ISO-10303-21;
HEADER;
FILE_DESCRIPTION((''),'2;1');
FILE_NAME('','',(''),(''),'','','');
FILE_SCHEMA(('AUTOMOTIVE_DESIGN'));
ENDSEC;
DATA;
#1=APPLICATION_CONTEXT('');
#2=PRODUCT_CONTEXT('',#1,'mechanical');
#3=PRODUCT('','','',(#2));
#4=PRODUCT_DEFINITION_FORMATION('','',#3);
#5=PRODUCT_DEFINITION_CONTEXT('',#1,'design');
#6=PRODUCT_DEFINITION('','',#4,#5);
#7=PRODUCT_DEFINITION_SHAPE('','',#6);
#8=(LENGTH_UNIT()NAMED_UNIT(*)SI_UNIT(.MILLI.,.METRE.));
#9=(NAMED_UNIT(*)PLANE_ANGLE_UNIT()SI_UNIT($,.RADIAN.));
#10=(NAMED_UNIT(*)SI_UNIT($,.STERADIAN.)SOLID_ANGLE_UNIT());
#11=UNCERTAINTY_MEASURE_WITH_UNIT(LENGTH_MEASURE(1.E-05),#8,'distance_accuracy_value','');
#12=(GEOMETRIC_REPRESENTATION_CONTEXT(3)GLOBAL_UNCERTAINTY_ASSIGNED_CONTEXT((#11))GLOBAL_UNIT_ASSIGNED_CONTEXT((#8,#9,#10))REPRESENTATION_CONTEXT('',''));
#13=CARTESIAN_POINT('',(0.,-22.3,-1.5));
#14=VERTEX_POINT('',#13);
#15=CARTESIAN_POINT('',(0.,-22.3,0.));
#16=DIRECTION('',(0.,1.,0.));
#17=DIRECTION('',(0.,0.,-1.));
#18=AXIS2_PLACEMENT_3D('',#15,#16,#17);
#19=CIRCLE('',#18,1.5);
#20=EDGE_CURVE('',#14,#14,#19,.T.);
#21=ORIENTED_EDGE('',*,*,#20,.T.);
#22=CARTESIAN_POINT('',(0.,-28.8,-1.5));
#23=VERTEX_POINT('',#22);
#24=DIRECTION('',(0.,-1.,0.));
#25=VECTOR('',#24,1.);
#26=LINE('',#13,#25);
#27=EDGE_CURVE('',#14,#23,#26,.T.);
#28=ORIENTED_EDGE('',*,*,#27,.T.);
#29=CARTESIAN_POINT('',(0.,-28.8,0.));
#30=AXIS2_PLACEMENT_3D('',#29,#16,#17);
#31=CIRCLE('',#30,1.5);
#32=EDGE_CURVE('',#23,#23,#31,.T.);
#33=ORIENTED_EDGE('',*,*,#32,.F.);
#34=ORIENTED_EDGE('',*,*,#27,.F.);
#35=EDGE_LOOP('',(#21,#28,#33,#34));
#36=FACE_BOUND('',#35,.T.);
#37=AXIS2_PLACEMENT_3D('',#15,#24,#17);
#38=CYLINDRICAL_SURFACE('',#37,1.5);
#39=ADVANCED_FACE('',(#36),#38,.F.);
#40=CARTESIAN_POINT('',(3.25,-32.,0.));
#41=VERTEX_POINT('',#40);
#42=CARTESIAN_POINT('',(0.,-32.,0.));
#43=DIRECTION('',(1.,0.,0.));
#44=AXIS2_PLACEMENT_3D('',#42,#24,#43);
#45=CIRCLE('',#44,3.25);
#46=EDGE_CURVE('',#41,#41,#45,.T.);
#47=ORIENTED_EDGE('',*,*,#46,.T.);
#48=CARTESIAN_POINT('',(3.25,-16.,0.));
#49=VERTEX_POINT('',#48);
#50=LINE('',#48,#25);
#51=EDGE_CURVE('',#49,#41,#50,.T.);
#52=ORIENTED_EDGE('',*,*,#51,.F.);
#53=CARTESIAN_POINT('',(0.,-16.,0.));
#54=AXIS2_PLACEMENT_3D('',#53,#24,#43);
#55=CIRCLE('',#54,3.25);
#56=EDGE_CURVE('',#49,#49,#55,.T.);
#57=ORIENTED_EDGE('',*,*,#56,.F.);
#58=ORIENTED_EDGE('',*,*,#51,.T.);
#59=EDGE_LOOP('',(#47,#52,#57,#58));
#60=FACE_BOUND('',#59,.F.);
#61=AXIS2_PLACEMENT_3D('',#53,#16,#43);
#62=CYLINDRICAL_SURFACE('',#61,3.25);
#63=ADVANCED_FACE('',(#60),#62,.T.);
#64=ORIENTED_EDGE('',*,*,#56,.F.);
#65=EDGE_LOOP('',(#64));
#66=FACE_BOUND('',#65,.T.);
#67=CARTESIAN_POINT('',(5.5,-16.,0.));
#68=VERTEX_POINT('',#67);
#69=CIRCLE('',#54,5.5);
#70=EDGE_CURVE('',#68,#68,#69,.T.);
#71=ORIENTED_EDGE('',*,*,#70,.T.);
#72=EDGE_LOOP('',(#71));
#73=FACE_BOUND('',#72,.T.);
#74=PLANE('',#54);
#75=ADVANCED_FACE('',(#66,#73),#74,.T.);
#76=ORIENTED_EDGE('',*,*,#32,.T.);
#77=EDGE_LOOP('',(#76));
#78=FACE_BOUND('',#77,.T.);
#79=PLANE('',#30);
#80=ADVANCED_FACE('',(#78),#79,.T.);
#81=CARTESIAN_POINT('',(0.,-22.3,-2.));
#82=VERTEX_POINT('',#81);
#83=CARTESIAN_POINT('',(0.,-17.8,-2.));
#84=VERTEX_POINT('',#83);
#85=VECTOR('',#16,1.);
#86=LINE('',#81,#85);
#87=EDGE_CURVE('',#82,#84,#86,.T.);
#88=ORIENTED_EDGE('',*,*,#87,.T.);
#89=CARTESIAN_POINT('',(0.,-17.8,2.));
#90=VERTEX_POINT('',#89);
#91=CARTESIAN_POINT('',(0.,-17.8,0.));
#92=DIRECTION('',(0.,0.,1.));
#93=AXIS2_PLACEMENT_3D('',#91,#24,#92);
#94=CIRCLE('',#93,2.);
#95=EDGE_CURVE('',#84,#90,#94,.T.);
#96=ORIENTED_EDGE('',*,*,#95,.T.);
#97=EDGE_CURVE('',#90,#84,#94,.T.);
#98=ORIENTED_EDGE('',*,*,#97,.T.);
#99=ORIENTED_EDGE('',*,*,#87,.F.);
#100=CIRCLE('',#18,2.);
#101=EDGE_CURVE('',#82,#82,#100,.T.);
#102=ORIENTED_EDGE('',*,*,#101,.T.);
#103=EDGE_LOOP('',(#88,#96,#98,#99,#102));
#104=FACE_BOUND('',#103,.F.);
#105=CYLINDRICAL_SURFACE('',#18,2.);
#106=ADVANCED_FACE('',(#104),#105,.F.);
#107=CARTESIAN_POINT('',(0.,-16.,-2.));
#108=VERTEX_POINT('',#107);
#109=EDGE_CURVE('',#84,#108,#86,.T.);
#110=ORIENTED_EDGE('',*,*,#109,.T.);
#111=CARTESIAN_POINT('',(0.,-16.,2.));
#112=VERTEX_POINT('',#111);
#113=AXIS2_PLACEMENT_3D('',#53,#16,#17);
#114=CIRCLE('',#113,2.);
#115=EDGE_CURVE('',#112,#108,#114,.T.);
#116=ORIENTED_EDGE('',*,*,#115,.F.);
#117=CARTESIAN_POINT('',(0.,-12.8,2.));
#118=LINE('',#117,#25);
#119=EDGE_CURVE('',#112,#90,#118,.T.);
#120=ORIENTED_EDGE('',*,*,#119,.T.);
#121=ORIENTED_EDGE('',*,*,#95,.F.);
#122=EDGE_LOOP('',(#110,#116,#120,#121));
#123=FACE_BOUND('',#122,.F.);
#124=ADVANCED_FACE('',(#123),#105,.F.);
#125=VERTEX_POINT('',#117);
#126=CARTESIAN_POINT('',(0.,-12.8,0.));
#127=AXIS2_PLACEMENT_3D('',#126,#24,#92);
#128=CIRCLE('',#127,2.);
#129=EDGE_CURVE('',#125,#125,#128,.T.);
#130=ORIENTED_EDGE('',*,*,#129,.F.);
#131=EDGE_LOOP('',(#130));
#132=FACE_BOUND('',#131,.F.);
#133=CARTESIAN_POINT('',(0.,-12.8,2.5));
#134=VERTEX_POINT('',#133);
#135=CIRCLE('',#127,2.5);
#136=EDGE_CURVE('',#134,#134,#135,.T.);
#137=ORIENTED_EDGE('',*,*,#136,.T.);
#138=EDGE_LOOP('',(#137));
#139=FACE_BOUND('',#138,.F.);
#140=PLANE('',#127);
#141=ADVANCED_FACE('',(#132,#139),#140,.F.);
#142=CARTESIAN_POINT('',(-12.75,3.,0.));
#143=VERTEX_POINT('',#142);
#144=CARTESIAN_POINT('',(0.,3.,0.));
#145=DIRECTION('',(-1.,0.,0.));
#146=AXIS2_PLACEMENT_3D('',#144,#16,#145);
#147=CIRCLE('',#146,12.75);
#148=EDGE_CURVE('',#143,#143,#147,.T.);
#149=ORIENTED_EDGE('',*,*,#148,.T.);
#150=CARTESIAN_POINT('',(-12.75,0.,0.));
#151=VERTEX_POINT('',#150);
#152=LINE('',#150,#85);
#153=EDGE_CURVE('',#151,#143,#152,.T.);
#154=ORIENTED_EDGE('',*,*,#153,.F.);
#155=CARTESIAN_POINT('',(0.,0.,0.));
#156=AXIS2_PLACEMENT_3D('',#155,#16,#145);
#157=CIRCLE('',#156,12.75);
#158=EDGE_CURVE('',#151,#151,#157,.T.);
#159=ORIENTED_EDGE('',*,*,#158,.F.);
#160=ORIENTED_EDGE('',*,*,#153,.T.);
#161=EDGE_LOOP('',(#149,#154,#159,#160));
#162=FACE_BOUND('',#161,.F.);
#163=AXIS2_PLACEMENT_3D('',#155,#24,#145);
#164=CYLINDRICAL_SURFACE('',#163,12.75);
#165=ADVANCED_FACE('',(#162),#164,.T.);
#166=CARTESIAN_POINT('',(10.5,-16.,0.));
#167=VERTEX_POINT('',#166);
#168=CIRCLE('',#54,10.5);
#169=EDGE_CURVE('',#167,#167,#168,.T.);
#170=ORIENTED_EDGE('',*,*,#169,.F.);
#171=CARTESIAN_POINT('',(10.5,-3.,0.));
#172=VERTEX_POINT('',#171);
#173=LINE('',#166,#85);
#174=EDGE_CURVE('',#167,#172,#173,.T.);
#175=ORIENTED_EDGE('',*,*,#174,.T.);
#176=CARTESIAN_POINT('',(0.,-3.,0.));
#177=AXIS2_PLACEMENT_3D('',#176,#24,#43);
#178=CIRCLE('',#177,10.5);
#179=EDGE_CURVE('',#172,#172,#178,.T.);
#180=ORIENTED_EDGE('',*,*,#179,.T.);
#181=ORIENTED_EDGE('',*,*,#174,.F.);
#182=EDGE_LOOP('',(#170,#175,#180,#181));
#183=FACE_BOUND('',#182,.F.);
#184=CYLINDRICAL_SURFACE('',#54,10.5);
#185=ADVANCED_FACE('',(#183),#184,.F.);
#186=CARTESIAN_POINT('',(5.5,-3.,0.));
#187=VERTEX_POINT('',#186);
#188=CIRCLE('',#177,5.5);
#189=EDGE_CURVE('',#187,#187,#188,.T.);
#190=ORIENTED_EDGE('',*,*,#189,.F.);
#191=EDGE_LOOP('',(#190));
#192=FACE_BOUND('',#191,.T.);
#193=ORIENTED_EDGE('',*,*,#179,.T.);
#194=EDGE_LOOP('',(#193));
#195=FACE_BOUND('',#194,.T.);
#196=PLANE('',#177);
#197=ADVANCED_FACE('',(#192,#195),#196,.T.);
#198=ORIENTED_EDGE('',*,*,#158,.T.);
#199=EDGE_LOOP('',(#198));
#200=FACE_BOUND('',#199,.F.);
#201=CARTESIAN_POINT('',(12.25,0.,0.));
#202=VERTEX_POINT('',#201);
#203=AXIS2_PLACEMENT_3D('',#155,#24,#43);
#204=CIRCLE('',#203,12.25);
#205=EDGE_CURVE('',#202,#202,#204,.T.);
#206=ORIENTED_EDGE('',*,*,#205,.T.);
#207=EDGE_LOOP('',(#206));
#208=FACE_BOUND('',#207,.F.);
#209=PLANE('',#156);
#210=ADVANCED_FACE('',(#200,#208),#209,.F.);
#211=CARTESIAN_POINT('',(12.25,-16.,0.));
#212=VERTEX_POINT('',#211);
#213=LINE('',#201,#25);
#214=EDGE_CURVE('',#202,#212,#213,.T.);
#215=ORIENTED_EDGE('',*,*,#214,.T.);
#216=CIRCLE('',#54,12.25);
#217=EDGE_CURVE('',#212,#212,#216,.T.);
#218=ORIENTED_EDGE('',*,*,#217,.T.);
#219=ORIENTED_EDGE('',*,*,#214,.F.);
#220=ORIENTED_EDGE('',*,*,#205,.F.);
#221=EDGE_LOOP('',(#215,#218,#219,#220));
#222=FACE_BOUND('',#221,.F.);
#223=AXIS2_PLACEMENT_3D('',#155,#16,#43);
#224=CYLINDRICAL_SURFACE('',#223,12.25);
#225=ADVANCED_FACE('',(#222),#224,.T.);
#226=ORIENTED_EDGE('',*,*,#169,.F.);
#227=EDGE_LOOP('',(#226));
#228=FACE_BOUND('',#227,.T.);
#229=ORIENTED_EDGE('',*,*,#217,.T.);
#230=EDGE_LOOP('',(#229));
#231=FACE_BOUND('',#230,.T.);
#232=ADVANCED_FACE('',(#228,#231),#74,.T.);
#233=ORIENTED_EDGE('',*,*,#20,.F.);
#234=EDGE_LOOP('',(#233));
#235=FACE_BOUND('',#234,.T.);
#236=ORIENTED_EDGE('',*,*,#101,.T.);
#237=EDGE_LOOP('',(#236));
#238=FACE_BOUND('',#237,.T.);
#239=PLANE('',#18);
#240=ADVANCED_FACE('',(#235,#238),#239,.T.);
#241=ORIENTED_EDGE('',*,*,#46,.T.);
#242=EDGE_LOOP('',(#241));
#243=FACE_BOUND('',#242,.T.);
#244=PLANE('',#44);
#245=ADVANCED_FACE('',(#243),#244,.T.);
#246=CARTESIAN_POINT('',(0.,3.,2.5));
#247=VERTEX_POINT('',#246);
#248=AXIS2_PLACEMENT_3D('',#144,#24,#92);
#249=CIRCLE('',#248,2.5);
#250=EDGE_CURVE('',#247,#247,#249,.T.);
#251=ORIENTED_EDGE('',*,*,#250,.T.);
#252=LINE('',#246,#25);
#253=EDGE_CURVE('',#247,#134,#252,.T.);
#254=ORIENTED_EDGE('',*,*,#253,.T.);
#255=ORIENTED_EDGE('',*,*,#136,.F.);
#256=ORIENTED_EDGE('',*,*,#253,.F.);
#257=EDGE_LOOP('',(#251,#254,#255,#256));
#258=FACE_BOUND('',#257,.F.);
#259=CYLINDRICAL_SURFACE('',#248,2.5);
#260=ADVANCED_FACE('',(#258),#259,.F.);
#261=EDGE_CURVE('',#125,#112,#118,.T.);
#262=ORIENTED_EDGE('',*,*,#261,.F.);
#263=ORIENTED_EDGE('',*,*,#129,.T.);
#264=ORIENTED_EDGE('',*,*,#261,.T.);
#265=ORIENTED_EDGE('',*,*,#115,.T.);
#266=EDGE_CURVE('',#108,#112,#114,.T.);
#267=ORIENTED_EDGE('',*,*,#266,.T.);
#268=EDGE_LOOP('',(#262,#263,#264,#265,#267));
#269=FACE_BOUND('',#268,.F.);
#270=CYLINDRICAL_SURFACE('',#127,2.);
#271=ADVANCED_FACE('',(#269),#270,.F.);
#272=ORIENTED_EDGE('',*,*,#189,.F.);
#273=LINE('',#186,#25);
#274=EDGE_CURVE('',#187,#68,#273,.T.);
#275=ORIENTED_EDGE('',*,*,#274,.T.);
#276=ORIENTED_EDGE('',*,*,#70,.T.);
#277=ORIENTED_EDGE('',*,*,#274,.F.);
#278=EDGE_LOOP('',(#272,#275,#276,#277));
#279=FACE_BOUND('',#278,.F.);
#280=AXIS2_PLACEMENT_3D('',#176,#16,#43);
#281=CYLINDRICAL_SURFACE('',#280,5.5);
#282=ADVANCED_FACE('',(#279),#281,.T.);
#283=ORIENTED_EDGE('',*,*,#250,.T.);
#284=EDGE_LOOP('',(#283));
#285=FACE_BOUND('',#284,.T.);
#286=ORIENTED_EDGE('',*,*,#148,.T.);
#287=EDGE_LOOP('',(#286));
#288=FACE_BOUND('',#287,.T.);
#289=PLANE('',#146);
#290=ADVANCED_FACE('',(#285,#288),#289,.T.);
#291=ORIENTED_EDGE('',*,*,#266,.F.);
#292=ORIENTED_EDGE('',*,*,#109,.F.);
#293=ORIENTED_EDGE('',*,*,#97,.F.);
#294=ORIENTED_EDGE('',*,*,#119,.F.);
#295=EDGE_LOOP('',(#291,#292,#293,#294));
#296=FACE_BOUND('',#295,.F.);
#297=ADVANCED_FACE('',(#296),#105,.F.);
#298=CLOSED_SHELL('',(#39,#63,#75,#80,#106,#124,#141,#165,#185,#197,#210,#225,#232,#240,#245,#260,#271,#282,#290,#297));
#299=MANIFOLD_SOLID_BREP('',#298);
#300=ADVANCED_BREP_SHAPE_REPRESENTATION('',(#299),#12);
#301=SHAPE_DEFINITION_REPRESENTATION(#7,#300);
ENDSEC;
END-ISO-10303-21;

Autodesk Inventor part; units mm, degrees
ref_plane "XZ Plane" through (0, 0, 0) normal (0, 1, 0) x (-1, 0, 0)
ref_plane "XY Plane" through (0, 0, 0) normal (0, 0, 1) x (1, 0, 0)
sketch "Skizze1" plane through (0, 0, 0) normal (0, 1, 0) x (-1, 0, 0)
  circle A0 centre (0, 0) radius 12.75
  dimension "d0" = 25.5
extrude "Extrusion1" add sketch "Skizze1" along normal blind 3
sketch "Skizze2" plane through (0, 0, 0) normal (0, -1, 0) x (1, 0, 0)
  circle A0 centre (0, 0) radius 12.25
  dimension "d3" = 24.5
extrude "Extrusion2" add sketch "Skizze2" along normal blind 16
sketch "Skizze6" plane through (0, -16, 0) normal (0, -1, 0) x (1, 0, 0)
  circle A0 centre (0, 0) radius 10.5
  dimension "d20" = 21
extrude "Extrusion5" cut sketch "Skizze6" against normal blind 13
sketch "Skizze7" plane through (0, -3, 0) normal (0, -1, 0) x (1, 0, 0)
  circle A0 centre (0, 0) radius 5.5
  dimension "d23" = 11
extrude "Extrusion6" add sketch "Skizze7" along normal up to surface (13 mm away)
sketch "Skizze8" plane through (0, -16, 0) normal (0, -1, 0) x (1, 0, 0)
  circle A0 centre (0, 0) radius 3.25
  dimension "d26" = 6.5
extrude "Extrusion7" add sketch "Skizze8" along normal blind 16
sketch "Skizze9" plane through (0, 3, 0) normal (0, 1, 0) x (1, 0, 0)
  circle A0 centre (0, 0) radius 12.75 projected
hole "Bohrung2" at (0, 3, 0) direction (0, -1, 0) diameter 5 depth 15.8
ref_plane "Arbeitsebene3" through (0, 0, 0) normal (1, 0, 0) x (0, 1, 0)
sketch "Skizze11" plane through (0, 0, 0) normal (1, 0, 0) x (0, 1, 0)
  line L0 (-16, -3.25) -> (-32, -3.25) projected
  line L1 (-3, -5.5) -> (-16, -5.5) projected
  line L2 (-16, -5.5) -> (-16, 5.5) projected
  line L3 (-3, -10.5) -> (-3, 10.5) projected
  line L4 (-30.7422, 0) -> (0, 0)
  line L5 (-22.3, -2) -> (-12.8, -2)
  line L6 (-12.8, -2.5) -> (-12.8, 2.5) projected
  line L7 (-22.3, -2) -> (-22.3, -1.5)
  line L8 (-22.3, -1.5) -> (-28.8, -1.5)
  line L9 (-28.8, -1.5) -> (-28.8, 0)
  line L10 (-12.8, -2) -> (-12.8, 0)
  point P0 (-22.3, -1.75)
  point P1 (-16, -2)
  point P2 (-16, 0)
  dimension "d38" = 3
  dimension "d39" = 4
  dimension "d40" = 9.5
  dimension "d41" = 6.5
revolve "Umdrehung1" cut sketch "Skizze11" angle 360 about axis through (0, -30.7422, 0) along (0, 1, 0) contours L5 L7 L8 L9 L4 L2
sketch "Skizze14" plane through (0, -12.8, 0) normal (0, 1, 0) x (1, 0, 0)
  point P0 (0, 0)
  point P1 (0, 0)
hole "Bohrung4" at (0, -12.8, 0) direction (0, -1, 0) diameter 4 depth 5
properties part number "18" material "Gold"
